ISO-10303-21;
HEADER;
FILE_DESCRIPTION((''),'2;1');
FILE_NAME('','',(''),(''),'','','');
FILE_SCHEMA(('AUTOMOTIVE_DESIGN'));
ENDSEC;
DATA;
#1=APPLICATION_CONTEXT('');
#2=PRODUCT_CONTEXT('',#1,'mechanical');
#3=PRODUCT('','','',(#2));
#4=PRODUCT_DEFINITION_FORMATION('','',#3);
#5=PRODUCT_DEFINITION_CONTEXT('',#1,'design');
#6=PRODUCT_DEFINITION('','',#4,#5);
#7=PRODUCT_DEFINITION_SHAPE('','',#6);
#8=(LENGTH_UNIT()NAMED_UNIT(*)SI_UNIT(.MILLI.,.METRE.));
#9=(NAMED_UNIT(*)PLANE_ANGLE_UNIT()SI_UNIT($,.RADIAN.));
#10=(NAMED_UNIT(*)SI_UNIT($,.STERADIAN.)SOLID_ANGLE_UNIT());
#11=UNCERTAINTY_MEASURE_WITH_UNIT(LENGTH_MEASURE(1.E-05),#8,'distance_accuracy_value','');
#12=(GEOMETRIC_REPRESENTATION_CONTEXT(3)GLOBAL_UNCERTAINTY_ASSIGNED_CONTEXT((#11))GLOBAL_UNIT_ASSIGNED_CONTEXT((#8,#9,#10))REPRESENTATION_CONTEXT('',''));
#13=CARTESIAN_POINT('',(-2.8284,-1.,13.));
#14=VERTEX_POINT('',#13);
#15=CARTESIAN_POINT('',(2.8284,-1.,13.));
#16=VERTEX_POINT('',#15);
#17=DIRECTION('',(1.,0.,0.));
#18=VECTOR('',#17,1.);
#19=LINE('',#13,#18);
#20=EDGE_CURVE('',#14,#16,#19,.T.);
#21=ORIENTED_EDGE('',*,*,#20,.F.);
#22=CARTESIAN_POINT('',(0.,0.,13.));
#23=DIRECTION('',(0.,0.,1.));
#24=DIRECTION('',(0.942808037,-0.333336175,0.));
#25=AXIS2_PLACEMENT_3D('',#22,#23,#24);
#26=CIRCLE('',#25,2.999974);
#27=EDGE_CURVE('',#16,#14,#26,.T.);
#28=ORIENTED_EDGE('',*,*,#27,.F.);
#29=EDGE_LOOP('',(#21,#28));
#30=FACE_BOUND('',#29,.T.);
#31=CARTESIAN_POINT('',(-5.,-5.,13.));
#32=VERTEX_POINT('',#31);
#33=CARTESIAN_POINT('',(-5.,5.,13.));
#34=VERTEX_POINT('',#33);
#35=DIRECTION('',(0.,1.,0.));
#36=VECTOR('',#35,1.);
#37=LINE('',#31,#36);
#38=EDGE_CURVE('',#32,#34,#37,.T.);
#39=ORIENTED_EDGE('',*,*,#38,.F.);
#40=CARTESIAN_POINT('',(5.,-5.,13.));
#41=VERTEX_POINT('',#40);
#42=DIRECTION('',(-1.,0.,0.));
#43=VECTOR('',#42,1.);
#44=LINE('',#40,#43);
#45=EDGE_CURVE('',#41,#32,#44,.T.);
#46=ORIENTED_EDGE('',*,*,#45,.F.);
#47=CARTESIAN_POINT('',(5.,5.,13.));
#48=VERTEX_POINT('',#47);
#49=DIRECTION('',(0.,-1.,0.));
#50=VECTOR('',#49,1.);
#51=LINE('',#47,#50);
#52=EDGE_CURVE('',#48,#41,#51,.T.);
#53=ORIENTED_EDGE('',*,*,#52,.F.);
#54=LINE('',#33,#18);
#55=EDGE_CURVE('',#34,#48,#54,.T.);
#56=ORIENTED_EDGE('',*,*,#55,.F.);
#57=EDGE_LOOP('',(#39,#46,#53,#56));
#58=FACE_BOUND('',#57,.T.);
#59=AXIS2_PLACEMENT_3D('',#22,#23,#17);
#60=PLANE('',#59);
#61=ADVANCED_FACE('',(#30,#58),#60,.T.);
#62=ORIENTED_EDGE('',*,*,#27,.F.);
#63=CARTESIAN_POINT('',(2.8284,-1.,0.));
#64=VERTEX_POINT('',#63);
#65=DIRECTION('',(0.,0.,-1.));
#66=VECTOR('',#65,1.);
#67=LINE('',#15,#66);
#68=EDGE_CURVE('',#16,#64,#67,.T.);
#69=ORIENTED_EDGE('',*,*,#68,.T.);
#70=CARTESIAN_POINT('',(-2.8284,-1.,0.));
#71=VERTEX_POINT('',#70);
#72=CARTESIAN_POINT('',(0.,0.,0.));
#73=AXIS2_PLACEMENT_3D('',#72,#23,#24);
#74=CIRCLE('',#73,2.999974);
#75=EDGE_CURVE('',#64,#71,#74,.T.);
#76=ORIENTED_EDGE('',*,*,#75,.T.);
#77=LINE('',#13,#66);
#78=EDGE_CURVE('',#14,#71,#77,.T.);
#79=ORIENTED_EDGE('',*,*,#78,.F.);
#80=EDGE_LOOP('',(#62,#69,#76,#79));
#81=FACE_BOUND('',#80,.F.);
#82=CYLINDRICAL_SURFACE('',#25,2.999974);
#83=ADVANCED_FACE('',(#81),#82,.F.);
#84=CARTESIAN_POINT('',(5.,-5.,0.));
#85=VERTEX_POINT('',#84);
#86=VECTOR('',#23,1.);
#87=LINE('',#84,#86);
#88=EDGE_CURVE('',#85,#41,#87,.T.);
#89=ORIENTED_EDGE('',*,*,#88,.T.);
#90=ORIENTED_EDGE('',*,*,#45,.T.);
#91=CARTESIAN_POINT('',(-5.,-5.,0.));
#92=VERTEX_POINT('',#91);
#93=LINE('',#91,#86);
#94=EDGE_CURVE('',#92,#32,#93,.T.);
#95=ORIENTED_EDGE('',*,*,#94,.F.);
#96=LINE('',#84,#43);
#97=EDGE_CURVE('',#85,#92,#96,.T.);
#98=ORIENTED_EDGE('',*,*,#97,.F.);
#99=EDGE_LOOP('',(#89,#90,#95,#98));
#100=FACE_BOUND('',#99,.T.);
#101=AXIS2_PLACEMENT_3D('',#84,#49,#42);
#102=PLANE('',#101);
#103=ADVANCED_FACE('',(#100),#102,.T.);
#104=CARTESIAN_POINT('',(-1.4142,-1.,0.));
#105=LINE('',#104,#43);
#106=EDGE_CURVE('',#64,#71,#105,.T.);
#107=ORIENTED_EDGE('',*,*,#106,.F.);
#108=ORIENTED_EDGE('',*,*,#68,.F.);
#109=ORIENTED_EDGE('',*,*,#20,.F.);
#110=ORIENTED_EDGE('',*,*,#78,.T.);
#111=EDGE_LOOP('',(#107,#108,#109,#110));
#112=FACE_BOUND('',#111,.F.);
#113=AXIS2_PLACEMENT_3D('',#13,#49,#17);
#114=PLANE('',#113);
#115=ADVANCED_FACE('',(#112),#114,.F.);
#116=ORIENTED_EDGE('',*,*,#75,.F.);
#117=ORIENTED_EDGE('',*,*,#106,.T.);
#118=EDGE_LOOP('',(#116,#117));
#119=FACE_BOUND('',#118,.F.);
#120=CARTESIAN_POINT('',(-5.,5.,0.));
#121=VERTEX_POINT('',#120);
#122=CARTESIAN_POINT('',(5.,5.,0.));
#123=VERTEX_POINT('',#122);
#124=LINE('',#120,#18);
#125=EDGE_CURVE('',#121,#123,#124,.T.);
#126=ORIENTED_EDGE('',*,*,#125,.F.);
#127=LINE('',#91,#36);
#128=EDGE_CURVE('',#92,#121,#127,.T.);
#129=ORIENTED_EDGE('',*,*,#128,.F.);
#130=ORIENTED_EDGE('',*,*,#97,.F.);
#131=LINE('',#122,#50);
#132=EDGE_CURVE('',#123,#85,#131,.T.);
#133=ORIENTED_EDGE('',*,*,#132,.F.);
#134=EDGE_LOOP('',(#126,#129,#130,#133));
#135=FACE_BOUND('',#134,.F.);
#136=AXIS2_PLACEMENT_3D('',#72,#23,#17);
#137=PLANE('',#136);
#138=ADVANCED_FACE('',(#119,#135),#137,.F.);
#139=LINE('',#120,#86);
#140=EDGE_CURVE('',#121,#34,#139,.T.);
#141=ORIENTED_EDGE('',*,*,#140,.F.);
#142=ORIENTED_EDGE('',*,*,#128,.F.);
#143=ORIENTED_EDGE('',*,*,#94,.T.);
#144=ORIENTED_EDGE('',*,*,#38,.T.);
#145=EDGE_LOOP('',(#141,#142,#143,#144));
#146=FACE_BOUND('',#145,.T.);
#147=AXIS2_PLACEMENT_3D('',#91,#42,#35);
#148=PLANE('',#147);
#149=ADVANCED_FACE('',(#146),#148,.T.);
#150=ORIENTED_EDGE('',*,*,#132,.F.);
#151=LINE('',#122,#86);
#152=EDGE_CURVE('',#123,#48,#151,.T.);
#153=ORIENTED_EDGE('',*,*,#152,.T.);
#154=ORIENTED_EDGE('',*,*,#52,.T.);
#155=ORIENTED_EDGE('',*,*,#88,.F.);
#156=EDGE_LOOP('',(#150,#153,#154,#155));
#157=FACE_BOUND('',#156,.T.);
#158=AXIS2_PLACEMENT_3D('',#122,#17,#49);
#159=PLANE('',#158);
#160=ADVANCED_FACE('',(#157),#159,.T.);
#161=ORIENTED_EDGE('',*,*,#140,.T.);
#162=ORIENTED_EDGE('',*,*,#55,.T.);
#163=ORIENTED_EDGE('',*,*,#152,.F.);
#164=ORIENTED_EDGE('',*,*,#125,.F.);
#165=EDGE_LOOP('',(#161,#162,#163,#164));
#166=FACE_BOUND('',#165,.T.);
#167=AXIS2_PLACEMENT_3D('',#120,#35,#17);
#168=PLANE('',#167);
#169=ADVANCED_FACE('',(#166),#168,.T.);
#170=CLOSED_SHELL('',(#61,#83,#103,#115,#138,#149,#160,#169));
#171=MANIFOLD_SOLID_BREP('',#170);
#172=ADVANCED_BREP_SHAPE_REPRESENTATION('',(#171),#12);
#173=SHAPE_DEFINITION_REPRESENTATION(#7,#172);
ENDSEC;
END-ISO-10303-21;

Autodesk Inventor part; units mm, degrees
ref_plane "YZ Plane" through (0, 0, 0) normal (1, 0, 0) x (0, 1, 0)
ref_plane "XZ Plane" through (0, 0, 0) normal (0, 1, 0) x (-1, 0, 0)
ref_plane "XY Plane" through (0, 0, 0) normal (0, 0, 1) x (1, 0, 0)
sketch "Sketch1" plane through (0, 0, 0) normal (0, 0, 1) x (1, 0, 0)
  line L0 (-5, 5) -> (5, 5)
  line L1 (5, 5) -> (5, -5)
  line L2 (5, -5) -> (-5, -5)
  line L3 (-5, -5) -> (-5, 5)
  point P0 (0, 0)
  dimension "d0" = 10
  dimension "d1" = 10
  dimension "d2" = 5
  dimension "d3" = 5
extrude "Extrusion1" add sketch "Sketch1" along normal blind 13
sketch "Sketch2" plane through (0, 0, 13) normal (0, 0, 1) x (1, 0, 0)
  arc A0 (2.8284, -1) -> (-2.8284, -1) centre (0, 0) ccw
  line L0 (-2.8284, -1) -> (2.8284, -1)
  dimension "d6" = 6
  dimension "d7" = 1
extrude "Extrusion2" cut sketch "Sketch2" against normal up to next
equation "\"d2\" = 0.5 * d0"
equation "\"d3\" = 0.5 * d1"
properties part number "PotHandle"
